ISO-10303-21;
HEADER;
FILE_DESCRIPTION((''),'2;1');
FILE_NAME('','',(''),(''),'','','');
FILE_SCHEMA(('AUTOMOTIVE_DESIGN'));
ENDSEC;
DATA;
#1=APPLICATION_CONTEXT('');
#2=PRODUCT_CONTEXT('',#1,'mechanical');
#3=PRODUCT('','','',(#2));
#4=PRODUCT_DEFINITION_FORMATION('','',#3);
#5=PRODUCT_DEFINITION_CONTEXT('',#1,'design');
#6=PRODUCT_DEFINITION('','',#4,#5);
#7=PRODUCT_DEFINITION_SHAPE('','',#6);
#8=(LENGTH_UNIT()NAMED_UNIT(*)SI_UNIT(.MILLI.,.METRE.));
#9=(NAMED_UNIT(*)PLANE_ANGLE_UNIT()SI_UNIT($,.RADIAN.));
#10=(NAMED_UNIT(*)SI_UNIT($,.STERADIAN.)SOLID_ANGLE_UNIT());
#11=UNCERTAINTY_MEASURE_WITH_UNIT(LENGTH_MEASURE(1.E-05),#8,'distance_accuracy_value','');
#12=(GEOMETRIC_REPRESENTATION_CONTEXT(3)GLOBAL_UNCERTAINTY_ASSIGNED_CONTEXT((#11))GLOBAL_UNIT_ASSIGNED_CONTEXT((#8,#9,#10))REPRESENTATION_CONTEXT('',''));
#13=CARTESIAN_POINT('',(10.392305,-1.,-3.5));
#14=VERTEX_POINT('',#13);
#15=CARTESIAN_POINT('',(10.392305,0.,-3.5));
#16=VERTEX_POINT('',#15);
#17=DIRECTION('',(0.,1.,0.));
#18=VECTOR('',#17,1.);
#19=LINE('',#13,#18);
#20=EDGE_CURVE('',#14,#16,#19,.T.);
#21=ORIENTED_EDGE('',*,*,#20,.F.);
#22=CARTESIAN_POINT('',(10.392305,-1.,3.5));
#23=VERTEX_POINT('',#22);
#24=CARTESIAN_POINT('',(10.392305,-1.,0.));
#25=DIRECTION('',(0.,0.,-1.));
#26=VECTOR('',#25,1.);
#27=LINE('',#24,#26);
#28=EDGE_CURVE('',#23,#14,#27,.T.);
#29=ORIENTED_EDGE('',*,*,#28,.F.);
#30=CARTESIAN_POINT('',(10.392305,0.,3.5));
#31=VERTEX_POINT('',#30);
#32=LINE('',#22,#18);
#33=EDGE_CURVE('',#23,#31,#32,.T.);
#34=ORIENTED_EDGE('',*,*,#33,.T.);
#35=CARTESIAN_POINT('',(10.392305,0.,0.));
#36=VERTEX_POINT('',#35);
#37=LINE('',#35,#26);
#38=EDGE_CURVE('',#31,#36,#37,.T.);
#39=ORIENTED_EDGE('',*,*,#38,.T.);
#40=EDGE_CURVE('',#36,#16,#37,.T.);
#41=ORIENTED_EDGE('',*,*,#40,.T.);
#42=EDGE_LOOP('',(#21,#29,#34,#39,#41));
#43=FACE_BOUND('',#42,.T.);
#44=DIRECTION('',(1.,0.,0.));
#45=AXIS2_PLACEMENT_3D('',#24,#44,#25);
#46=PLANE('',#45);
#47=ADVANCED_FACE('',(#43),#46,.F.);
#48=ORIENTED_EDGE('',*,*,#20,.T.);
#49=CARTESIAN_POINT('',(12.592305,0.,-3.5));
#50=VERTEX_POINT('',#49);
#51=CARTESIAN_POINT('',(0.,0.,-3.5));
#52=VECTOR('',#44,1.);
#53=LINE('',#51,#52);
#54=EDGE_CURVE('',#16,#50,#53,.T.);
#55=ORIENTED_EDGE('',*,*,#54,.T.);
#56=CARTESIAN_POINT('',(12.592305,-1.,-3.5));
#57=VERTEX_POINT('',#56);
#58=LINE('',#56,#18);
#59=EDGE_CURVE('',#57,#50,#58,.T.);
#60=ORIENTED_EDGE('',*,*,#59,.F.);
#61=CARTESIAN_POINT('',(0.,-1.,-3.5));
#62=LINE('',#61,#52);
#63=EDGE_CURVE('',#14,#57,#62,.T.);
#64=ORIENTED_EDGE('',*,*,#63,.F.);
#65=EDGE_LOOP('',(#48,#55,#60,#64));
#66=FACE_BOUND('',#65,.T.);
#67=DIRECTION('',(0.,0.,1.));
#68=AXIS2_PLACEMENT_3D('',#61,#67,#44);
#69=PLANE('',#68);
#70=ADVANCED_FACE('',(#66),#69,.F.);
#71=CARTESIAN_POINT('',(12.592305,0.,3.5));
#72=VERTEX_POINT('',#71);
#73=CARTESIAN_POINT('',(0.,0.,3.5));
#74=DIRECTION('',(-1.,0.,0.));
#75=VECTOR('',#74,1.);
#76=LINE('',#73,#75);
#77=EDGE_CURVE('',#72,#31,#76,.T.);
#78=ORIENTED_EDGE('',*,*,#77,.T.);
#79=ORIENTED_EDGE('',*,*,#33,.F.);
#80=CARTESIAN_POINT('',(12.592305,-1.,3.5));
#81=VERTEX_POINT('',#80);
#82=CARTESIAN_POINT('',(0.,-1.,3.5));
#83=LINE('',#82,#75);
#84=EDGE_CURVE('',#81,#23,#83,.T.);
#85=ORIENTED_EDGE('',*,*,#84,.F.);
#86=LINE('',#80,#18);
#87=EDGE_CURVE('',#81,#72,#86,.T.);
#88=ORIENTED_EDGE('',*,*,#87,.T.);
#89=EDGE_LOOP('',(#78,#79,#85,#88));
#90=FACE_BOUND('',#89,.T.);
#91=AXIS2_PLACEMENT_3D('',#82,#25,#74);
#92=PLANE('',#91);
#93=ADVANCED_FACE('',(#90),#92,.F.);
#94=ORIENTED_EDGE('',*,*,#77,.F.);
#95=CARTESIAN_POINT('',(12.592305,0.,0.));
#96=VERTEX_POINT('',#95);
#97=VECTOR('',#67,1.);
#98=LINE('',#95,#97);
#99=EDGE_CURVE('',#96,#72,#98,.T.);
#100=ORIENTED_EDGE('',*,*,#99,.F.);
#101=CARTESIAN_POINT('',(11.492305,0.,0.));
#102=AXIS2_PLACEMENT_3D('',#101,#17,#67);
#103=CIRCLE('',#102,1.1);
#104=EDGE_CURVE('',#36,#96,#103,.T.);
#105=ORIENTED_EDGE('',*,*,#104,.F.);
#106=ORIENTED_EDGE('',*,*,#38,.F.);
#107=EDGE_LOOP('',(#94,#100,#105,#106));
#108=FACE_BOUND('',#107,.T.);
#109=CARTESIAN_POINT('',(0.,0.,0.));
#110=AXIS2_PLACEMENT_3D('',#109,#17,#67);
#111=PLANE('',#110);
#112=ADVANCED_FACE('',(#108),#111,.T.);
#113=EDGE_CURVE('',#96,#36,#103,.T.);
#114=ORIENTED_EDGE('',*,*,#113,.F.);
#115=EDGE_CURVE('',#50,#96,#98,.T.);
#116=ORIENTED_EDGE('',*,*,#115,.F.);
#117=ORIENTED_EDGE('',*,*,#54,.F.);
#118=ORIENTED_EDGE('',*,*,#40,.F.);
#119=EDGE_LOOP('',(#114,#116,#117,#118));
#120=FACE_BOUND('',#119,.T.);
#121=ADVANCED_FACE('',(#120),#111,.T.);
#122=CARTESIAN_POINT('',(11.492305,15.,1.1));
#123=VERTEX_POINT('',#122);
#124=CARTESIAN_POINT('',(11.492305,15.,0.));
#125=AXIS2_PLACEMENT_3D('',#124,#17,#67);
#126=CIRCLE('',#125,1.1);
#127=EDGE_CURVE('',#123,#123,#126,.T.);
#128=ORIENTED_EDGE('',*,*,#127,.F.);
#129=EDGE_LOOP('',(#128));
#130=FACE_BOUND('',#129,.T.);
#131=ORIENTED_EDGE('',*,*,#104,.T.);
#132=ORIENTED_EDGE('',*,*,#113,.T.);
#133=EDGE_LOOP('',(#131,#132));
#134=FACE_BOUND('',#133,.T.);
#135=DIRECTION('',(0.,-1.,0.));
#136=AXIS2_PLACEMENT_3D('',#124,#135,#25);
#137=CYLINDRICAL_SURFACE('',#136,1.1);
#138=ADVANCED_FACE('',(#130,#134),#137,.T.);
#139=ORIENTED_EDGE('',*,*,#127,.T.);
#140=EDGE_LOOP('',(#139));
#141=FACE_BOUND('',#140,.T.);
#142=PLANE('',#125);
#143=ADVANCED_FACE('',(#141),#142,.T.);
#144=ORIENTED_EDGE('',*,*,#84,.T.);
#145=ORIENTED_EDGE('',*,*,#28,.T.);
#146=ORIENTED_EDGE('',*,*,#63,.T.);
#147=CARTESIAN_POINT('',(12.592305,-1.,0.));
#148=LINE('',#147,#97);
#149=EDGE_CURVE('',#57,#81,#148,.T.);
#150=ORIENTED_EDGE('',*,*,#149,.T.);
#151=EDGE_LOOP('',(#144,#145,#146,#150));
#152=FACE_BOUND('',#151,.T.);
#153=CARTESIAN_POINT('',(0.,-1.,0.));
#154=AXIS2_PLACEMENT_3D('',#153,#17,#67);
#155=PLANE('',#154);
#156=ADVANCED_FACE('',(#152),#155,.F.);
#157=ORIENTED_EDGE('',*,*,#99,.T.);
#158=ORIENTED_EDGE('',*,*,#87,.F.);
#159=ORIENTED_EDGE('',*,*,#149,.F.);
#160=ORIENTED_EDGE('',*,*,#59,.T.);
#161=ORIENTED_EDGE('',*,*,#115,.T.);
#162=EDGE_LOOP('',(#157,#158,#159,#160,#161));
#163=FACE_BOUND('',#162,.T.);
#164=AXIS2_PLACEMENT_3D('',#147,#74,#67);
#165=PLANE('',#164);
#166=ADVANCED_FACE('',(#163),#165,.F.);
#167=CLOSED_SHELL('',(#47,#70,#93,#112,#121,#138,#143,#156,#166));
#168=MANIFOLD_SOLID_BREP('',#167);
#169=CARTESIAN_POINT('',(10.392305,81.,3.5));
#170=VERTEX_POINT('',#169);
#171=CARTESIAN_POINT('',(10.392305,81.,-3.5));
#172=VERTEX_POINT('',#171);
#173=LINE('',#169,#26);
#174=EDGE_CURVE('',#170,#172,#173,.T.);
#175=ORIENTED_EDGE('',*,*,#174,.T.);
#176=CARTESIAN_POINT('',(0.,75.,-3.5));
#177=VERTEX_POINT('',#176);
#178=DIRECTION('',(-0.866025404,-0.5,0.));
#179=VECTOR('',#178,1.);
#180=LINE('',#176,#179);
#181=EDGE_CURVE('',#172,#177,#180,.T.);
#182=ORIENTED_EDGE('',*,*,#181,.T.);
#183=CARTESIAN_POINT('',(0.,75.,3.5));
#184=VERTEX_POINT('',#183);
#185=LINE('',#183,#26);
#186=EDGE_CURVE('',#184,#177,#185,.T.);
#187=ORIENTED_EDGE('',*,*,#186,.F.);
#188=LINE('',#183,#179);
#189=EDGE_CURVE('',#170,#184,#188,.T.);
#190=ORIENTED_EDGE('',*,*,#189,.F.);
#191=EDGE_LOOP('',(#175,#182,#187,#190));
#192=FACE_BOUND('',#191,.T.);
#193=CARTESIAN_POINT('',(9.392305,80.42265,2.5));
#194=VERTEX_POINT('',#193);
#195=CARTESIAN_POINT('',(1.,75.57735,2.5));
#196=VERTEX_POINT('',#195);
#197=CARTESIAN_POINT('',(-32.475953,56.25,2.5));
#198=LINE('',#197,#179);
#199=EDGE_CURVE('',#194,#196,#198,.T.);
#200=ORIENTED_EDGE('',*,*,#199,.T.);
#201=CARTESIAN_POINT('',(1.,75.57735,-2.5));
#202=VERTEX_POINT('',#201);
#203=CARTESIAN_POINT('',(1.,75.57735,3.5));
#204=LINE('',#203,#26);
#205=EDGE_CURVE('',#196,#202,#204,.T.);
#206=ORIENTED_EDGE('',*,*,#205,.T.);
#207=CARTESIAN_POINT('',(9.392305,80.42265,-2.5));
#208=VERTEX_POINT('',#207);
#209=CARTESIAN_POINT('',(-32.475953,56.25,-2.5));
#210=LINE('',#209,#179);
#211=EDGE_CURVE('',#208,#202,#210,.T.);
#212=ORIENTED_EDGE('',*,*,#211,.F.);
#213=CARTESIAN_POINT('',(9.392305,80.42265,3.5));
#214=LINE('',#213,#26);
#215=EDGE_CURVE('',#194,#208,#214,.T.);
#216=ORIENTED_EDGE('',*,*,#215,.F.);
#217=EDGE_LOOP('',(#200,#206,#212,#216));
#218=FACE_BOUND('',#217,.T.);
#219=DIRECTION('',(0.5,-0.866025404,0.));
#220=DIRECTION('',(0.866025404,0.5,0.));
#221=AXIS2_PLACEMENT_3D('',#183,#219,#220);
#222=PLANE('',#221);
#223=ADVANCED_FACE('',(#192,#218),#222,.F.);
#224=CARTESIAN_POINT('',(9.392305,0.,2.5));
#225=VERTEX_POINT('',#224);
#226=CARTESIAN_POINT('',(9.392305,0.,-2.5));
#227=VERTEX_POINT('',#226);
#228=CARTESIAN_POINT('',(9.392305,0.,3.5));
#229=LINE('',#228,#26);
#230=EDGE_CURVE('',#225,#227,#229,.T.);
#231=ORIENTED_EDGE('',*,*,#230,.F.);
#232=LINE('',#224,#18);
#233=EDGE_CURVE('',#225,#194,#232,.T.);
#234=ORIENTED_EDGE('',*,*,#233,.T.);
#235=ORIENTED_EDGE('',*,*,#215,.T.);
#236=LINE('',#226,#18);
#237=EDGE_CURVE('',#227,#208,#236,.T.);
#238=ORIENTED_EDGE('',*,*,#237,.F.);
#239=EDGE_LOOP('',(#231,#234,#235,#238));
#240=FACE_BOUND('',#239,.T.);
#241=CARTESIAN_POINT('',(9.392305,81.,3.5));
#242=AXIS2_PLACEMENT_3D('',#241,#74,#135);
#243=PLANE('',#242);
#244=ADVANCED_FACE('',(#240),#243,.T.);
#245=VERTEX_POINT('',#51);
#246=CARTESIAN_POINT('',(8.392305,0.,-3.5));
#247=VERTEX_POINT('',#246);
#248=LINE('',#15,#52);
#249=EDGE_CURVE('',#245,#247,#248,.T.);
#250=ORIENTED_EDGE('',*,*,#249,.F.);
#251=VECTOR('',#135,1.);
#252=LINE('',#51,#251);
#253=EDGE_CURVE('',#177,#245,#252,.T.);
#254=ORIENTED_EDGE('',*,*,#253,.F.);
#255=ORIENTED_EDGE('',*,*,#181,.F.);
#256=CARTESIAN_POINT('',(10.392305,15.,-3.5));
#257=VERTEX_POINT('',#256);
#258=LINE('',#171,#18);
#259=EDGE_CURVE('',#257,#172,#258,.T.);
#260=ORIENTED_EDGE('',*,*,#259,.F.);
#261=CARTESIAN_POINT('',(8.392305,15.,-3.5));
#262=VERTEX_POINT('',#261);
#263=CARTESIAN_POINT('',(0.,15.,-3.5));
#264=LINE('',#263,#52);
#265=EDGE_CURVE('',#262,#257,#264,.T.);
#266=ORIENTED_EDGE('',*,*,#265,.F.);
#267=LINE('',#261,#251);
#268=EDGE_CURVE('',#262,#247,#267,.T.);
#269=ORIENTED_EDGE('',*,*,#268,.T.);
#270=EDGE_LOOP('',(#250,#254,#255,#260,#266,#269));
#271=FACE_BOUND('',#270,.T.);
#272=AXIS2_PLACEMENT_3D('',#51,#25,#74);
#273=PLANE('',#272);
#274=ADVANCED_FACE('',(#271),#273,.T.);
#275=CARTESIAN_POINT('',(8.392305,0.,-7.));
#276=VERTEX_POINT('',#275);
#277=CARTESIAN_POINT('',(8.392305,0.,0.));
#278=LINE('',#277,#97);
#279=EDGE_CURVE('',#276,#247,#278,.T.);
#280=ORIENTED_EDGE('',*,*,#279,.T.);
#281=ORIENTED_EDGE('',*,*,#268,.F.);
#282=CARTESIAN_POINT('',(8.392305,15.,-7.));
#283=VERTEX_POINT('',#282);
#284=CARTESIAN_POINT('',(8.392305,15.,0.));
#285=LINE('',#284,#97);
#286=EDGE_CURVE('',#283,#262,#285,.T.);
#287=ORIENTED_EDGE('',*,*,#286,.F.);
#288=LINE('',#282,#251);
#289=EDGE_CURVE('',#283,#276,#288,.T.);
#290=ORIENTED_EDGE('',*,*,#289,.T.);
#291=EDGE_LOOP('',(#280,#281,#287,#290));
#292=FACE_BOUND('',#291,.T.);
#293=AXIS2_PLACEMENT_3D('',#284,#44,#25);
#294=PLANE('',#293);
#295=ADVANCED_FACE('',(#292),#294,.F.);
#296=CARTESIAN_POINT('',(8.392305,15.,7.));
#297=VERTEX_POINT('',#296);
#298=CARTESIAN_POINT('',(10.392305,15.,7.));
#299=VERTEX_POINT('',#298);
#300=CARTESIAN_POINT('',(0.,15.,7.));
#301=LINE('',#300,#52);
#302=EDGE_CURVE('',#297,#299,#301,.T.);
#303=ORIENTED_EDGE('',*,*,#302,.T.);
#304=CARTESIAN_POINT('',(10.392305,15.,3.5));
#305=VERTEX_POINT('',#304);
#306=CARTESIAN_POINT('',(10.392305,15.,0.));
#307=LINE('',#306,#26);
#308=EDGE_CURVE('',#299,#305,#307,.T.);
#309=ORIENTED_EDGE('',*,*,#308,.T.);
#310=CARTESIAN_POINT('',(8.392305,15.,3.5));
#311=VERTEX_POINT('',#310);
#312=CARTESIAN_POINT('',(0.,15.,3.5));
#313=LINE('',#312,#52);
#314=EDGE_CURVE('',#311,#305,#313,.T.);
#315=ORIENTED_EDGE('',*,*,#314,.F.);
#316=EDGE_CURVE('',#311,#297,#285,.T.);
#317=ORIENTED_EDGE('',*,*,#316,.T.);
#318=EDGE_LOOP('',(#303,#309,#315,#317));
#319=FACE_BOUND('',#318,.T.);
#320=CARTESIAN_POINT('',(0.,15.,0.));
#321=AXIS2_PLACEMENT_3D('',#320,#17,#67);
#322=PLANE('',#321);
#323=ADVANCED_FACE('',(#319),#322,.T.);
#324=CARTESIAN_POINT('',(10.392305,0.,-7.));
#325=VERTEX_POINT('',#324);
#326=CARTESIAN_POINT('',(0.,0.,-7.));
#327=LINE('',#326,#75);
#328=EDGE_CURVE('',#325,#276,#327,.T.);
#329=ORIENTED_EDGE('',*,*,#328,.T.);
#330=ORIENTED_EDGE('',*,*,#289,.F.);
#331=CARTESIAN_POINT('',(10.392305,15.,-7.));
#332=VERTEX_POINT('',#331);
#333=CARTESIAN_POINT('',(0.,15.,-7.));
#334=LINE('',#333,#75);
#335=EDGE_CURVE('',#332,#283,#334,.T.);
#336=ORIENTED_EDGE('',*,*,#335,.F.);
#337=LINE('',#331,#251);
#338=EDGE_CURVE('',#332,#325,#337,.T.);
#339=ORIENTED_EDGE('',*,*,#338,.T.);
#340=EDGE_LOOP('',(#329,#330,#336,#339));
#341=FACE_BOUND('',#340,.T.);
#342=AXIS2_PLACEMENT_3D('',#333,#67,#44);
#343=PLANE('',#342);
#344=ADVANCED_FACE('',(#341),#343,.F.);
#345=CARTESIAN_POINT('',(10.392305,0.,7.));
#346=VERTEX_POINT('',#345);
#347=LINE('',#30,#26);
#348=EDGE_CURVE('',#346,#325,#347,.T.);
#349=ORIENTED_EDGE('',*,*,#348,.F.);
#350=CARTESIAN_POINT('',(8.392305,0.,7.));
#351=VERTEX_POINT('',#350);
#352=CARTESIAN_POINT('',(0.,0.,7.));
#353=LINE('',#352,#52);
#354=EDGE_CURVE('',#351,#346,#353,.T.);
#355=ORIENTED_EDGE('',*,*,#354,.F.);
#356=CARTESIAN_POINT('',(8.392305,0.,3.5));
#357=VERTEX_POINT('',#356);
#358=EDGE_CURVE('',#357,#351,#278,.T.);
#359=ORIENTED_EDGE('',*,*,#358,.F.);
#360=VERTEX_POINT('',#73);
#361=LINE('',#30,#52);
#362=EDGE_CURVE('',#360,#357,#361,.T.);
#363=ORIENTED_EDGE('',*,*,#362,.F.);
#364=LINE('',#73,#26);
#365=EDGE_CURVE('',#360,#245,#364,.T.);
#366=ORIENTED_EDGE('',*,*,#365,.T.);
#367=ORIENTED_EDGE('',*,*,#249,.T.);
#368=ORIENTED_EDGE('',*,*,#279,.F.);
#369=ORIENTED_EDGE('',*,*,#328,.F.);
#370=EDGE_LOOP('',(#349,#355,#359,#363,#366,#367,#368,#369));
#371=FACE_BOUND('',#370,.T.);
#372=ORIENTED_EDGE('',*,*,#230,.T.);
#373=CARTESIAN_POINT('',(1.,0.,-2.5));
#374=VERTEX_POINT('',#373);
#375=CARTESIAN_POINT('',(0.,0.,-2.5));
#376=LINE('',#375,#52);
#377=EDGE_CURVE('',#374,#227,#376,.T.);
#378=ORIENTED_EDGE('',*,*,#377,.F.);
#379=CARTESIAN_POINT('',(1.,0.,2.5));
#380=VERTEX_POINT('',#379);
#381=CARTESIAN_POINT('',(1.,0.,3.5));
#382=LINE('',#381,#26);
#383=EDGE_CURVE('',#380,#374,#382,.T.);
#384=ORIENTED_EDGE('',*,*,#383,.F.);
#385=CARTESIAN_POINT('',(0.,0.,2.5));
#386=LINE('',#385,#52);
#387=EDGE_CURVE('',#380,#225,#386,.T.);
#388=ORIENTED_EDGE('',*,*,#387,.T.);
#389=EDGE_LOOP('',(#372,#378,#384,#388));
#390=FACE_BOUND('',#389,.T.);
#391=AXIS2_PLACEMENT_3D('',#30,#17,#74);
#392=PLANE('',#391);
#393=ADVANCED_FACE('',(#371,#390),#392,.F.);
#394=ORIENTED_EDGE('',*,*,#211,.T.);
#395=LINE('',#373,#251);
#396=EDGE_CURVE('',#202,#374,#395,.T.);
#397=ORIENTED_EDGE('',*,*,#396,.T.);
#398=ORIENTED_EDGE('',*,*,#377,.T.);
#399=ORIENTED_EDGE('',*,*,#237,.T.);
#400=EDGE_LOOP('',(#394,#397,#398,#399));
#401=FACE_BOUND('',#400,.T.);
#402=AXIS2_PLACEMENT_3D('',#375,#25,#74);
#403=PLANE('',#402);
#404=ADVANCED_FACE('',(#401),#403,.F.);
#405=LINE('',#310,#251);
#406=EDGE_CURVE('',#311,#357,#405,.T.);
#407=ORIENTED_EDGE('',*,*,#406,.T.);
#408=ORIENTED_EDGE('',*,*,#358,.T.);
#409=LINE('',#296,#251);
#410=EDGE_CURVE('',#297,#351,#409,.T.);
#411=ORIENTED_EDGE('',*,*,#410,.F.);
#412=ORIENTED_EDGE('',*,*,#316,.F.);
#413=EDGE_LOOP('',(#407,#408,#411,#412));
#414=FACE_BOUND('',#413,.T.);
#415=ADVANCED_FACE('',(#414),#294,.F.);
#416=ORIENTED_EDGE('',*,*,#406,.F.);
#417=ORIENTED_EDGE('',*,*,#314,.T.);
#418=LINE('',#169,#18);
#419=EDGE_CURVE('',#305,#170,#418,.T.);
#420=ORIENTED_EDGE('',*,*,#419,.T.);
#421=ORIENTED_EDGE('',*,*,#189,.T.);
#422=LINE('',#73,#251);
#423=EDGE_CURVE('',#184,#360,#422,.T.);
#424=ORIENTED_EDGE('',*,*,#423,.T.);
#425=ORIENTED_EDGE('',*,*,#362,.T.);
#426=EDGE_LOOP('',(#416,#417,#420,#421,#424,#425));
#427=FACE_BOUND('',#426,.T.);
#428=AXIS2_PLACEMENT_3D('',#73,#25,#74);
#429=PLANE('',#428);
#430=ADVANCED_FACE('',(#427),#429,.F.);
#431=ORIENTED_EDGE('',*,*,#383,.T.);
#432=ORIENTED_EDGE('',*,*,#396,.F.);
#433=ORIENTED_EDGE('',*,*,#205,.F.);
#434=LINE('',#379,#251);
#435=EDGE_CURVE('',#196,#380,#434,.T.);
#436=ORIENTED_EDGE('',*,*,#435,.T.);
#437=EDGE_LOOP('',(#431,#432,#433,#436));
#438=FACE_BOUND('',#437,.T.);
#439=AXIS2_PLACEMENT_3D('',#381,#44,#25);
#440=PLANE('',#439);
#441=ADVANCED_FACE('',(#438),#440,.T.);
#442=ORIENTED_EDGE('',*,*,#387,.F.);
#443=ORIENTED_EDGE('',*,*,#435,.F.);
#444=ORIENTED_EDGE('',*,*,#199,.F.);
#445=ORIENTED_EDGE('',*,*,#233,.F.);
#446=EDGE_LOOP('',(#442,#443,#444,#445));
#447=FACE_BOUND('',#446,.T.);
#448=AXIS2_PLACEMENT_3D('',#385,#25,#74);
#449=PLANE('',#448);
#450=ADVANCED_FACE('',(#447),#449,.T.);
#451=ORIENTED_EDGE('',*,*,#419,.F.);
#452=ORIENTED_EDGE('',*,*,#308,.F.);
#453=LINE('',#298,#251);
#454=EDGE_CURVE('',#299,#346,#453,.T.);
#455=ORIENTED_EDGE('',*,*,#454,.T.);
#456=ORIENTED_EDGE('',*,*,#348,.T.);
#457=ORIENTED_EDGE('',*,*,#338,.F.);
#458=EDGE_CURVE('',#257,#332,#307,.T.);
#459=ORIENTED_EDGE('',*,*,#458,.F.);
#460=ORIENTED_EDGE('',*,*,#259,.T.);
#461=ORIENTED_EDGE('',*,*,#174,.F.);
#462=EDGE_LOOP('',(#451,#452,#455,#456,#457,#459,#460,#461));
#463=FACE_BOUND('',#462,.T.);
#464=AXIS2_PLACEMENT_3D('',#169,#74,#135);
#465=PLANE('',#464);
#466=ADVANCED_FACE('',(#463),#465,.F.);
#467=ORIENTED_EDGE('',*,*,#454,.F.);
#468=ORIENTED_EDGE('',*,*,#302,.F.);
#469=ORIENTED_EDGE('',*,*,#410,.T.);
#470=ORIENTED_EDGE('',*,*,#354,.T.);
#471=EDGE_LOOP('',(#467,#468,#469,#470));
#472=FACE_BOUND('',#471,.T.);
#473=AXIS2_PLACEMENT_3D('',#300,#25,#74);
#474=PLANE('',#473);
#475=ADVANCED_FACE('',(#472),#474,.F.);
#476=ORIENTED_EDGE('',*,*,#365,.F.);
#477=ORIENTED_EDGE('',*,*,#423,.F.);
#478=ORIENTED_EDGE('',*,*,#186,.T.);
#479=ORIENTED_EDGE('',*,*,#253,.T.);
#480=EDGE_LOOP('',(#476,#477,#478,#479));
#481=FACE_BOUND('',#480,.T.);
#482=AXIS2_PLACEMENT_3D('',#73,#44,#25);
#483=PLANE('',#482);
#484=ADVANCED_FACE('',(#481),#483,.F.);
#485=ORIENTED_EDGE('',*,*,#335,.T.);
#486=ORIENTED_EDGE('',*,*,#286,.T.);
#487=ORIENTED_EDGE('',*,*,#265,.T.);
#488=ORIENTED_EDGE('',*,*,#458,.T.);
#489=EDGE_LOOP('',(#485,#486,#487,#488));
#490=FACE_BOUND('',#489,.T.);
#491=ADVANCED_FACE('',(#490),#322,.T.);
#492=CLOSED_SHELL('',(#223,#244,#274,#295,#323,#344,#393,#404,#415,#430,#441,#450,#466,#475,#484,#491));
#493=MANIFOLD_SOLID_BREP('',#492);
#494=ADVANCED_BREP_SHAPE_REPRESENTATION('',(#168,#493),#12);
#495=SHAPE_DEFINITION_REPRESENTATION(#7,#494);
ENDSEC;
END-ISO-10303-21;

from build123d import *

# Parameters (mm, degrees)
BOSS_EXTRUDE1_DEPTH = 3.5
SHELL1_T            = -1
SKETCH3_W           = 2
SKETCH3_H           = 3.5
SKETCH3_R           = 1.1
BOSS_EXTRUDE2_DEPTH = 15
SKETCH3_6_W         = 2.2
SKETCH3_6_H         = 7
BOSS_EXTRUDE5_DEPTH = 1


with BuildPart() as part:
    # Sketch2 → Boss-Extrude1 (new, symmetric)
    with BuildSketch(Plane.XY):
        Polygon((0, 0), (0, 75), (10.392304845, 81), (10.392304845, 0), align=None)
    extrude(amount=BOSS_EXTRUDE1_DEPTH, both=True)

    # Shell1
    shell1_openings = [part.faces().sort_by_distance(p)[0] for p in [
        (5.196152423, 0, 0),
        (5.196152423, 78, 0),
    ]]
    offset(amount=SHELL1_T, openings=shell1_openings, kind=Kind.INTERSECTION)

    # Sketch3 → Boss-Extrude2 (add)
    with BuildSketch(Plane(origin=(0, 0, 0), x_dir=(1, 0, 0), z_dir=(0, 1, 0))):
        with Locations((9.392304845, -5.25)):
            Rectangle(SKETCH3_W, SKETCH3_H)
        with Locations((9.392304845, 5.25)):
            Rectangle(SKETCH3_W, SKETCH3_H)
        with Locations((11.492304845, 0)):
            Circle(SKETCH3_R)
    extrude(amount=BOSS_EXTRUDE2_DEPTH)


with BuildPart() as boss_extrude2_piece_1:
    # of the separate pieces the step leaves, piece 1, a body of its own (boss_extrude2_pieces)
    add(part.part.solids().sort_by_distance((0, 0, -3.5))[0])


with BuildPart() as boss_extrude2_piece_2:
    # of the separate pieces the step leaves, piece 2, a body of its own (boss_extrude2_pieces)
    add(part.part.solids().sort_by_distance((12.592304845, 0, 0))[0])

    # Sketch3<6> → Boss-Extrude5 (add)
    with BuildSketch(Plane(origin=(0, 0, 0), x_dir=(1, 0, 0), z_dir=(0, 1, 0))):
        with Locations((11.492304845, 0)):
            Rectangle(SKETCH3_6_W, SKETCH3_6_H)
    extrude(amount=-BOSS_EXTRUDE5_DEPTH)


solid = Compound([boss_extrude2_piece_1.part, boss_extrude2_piece_2.part])
